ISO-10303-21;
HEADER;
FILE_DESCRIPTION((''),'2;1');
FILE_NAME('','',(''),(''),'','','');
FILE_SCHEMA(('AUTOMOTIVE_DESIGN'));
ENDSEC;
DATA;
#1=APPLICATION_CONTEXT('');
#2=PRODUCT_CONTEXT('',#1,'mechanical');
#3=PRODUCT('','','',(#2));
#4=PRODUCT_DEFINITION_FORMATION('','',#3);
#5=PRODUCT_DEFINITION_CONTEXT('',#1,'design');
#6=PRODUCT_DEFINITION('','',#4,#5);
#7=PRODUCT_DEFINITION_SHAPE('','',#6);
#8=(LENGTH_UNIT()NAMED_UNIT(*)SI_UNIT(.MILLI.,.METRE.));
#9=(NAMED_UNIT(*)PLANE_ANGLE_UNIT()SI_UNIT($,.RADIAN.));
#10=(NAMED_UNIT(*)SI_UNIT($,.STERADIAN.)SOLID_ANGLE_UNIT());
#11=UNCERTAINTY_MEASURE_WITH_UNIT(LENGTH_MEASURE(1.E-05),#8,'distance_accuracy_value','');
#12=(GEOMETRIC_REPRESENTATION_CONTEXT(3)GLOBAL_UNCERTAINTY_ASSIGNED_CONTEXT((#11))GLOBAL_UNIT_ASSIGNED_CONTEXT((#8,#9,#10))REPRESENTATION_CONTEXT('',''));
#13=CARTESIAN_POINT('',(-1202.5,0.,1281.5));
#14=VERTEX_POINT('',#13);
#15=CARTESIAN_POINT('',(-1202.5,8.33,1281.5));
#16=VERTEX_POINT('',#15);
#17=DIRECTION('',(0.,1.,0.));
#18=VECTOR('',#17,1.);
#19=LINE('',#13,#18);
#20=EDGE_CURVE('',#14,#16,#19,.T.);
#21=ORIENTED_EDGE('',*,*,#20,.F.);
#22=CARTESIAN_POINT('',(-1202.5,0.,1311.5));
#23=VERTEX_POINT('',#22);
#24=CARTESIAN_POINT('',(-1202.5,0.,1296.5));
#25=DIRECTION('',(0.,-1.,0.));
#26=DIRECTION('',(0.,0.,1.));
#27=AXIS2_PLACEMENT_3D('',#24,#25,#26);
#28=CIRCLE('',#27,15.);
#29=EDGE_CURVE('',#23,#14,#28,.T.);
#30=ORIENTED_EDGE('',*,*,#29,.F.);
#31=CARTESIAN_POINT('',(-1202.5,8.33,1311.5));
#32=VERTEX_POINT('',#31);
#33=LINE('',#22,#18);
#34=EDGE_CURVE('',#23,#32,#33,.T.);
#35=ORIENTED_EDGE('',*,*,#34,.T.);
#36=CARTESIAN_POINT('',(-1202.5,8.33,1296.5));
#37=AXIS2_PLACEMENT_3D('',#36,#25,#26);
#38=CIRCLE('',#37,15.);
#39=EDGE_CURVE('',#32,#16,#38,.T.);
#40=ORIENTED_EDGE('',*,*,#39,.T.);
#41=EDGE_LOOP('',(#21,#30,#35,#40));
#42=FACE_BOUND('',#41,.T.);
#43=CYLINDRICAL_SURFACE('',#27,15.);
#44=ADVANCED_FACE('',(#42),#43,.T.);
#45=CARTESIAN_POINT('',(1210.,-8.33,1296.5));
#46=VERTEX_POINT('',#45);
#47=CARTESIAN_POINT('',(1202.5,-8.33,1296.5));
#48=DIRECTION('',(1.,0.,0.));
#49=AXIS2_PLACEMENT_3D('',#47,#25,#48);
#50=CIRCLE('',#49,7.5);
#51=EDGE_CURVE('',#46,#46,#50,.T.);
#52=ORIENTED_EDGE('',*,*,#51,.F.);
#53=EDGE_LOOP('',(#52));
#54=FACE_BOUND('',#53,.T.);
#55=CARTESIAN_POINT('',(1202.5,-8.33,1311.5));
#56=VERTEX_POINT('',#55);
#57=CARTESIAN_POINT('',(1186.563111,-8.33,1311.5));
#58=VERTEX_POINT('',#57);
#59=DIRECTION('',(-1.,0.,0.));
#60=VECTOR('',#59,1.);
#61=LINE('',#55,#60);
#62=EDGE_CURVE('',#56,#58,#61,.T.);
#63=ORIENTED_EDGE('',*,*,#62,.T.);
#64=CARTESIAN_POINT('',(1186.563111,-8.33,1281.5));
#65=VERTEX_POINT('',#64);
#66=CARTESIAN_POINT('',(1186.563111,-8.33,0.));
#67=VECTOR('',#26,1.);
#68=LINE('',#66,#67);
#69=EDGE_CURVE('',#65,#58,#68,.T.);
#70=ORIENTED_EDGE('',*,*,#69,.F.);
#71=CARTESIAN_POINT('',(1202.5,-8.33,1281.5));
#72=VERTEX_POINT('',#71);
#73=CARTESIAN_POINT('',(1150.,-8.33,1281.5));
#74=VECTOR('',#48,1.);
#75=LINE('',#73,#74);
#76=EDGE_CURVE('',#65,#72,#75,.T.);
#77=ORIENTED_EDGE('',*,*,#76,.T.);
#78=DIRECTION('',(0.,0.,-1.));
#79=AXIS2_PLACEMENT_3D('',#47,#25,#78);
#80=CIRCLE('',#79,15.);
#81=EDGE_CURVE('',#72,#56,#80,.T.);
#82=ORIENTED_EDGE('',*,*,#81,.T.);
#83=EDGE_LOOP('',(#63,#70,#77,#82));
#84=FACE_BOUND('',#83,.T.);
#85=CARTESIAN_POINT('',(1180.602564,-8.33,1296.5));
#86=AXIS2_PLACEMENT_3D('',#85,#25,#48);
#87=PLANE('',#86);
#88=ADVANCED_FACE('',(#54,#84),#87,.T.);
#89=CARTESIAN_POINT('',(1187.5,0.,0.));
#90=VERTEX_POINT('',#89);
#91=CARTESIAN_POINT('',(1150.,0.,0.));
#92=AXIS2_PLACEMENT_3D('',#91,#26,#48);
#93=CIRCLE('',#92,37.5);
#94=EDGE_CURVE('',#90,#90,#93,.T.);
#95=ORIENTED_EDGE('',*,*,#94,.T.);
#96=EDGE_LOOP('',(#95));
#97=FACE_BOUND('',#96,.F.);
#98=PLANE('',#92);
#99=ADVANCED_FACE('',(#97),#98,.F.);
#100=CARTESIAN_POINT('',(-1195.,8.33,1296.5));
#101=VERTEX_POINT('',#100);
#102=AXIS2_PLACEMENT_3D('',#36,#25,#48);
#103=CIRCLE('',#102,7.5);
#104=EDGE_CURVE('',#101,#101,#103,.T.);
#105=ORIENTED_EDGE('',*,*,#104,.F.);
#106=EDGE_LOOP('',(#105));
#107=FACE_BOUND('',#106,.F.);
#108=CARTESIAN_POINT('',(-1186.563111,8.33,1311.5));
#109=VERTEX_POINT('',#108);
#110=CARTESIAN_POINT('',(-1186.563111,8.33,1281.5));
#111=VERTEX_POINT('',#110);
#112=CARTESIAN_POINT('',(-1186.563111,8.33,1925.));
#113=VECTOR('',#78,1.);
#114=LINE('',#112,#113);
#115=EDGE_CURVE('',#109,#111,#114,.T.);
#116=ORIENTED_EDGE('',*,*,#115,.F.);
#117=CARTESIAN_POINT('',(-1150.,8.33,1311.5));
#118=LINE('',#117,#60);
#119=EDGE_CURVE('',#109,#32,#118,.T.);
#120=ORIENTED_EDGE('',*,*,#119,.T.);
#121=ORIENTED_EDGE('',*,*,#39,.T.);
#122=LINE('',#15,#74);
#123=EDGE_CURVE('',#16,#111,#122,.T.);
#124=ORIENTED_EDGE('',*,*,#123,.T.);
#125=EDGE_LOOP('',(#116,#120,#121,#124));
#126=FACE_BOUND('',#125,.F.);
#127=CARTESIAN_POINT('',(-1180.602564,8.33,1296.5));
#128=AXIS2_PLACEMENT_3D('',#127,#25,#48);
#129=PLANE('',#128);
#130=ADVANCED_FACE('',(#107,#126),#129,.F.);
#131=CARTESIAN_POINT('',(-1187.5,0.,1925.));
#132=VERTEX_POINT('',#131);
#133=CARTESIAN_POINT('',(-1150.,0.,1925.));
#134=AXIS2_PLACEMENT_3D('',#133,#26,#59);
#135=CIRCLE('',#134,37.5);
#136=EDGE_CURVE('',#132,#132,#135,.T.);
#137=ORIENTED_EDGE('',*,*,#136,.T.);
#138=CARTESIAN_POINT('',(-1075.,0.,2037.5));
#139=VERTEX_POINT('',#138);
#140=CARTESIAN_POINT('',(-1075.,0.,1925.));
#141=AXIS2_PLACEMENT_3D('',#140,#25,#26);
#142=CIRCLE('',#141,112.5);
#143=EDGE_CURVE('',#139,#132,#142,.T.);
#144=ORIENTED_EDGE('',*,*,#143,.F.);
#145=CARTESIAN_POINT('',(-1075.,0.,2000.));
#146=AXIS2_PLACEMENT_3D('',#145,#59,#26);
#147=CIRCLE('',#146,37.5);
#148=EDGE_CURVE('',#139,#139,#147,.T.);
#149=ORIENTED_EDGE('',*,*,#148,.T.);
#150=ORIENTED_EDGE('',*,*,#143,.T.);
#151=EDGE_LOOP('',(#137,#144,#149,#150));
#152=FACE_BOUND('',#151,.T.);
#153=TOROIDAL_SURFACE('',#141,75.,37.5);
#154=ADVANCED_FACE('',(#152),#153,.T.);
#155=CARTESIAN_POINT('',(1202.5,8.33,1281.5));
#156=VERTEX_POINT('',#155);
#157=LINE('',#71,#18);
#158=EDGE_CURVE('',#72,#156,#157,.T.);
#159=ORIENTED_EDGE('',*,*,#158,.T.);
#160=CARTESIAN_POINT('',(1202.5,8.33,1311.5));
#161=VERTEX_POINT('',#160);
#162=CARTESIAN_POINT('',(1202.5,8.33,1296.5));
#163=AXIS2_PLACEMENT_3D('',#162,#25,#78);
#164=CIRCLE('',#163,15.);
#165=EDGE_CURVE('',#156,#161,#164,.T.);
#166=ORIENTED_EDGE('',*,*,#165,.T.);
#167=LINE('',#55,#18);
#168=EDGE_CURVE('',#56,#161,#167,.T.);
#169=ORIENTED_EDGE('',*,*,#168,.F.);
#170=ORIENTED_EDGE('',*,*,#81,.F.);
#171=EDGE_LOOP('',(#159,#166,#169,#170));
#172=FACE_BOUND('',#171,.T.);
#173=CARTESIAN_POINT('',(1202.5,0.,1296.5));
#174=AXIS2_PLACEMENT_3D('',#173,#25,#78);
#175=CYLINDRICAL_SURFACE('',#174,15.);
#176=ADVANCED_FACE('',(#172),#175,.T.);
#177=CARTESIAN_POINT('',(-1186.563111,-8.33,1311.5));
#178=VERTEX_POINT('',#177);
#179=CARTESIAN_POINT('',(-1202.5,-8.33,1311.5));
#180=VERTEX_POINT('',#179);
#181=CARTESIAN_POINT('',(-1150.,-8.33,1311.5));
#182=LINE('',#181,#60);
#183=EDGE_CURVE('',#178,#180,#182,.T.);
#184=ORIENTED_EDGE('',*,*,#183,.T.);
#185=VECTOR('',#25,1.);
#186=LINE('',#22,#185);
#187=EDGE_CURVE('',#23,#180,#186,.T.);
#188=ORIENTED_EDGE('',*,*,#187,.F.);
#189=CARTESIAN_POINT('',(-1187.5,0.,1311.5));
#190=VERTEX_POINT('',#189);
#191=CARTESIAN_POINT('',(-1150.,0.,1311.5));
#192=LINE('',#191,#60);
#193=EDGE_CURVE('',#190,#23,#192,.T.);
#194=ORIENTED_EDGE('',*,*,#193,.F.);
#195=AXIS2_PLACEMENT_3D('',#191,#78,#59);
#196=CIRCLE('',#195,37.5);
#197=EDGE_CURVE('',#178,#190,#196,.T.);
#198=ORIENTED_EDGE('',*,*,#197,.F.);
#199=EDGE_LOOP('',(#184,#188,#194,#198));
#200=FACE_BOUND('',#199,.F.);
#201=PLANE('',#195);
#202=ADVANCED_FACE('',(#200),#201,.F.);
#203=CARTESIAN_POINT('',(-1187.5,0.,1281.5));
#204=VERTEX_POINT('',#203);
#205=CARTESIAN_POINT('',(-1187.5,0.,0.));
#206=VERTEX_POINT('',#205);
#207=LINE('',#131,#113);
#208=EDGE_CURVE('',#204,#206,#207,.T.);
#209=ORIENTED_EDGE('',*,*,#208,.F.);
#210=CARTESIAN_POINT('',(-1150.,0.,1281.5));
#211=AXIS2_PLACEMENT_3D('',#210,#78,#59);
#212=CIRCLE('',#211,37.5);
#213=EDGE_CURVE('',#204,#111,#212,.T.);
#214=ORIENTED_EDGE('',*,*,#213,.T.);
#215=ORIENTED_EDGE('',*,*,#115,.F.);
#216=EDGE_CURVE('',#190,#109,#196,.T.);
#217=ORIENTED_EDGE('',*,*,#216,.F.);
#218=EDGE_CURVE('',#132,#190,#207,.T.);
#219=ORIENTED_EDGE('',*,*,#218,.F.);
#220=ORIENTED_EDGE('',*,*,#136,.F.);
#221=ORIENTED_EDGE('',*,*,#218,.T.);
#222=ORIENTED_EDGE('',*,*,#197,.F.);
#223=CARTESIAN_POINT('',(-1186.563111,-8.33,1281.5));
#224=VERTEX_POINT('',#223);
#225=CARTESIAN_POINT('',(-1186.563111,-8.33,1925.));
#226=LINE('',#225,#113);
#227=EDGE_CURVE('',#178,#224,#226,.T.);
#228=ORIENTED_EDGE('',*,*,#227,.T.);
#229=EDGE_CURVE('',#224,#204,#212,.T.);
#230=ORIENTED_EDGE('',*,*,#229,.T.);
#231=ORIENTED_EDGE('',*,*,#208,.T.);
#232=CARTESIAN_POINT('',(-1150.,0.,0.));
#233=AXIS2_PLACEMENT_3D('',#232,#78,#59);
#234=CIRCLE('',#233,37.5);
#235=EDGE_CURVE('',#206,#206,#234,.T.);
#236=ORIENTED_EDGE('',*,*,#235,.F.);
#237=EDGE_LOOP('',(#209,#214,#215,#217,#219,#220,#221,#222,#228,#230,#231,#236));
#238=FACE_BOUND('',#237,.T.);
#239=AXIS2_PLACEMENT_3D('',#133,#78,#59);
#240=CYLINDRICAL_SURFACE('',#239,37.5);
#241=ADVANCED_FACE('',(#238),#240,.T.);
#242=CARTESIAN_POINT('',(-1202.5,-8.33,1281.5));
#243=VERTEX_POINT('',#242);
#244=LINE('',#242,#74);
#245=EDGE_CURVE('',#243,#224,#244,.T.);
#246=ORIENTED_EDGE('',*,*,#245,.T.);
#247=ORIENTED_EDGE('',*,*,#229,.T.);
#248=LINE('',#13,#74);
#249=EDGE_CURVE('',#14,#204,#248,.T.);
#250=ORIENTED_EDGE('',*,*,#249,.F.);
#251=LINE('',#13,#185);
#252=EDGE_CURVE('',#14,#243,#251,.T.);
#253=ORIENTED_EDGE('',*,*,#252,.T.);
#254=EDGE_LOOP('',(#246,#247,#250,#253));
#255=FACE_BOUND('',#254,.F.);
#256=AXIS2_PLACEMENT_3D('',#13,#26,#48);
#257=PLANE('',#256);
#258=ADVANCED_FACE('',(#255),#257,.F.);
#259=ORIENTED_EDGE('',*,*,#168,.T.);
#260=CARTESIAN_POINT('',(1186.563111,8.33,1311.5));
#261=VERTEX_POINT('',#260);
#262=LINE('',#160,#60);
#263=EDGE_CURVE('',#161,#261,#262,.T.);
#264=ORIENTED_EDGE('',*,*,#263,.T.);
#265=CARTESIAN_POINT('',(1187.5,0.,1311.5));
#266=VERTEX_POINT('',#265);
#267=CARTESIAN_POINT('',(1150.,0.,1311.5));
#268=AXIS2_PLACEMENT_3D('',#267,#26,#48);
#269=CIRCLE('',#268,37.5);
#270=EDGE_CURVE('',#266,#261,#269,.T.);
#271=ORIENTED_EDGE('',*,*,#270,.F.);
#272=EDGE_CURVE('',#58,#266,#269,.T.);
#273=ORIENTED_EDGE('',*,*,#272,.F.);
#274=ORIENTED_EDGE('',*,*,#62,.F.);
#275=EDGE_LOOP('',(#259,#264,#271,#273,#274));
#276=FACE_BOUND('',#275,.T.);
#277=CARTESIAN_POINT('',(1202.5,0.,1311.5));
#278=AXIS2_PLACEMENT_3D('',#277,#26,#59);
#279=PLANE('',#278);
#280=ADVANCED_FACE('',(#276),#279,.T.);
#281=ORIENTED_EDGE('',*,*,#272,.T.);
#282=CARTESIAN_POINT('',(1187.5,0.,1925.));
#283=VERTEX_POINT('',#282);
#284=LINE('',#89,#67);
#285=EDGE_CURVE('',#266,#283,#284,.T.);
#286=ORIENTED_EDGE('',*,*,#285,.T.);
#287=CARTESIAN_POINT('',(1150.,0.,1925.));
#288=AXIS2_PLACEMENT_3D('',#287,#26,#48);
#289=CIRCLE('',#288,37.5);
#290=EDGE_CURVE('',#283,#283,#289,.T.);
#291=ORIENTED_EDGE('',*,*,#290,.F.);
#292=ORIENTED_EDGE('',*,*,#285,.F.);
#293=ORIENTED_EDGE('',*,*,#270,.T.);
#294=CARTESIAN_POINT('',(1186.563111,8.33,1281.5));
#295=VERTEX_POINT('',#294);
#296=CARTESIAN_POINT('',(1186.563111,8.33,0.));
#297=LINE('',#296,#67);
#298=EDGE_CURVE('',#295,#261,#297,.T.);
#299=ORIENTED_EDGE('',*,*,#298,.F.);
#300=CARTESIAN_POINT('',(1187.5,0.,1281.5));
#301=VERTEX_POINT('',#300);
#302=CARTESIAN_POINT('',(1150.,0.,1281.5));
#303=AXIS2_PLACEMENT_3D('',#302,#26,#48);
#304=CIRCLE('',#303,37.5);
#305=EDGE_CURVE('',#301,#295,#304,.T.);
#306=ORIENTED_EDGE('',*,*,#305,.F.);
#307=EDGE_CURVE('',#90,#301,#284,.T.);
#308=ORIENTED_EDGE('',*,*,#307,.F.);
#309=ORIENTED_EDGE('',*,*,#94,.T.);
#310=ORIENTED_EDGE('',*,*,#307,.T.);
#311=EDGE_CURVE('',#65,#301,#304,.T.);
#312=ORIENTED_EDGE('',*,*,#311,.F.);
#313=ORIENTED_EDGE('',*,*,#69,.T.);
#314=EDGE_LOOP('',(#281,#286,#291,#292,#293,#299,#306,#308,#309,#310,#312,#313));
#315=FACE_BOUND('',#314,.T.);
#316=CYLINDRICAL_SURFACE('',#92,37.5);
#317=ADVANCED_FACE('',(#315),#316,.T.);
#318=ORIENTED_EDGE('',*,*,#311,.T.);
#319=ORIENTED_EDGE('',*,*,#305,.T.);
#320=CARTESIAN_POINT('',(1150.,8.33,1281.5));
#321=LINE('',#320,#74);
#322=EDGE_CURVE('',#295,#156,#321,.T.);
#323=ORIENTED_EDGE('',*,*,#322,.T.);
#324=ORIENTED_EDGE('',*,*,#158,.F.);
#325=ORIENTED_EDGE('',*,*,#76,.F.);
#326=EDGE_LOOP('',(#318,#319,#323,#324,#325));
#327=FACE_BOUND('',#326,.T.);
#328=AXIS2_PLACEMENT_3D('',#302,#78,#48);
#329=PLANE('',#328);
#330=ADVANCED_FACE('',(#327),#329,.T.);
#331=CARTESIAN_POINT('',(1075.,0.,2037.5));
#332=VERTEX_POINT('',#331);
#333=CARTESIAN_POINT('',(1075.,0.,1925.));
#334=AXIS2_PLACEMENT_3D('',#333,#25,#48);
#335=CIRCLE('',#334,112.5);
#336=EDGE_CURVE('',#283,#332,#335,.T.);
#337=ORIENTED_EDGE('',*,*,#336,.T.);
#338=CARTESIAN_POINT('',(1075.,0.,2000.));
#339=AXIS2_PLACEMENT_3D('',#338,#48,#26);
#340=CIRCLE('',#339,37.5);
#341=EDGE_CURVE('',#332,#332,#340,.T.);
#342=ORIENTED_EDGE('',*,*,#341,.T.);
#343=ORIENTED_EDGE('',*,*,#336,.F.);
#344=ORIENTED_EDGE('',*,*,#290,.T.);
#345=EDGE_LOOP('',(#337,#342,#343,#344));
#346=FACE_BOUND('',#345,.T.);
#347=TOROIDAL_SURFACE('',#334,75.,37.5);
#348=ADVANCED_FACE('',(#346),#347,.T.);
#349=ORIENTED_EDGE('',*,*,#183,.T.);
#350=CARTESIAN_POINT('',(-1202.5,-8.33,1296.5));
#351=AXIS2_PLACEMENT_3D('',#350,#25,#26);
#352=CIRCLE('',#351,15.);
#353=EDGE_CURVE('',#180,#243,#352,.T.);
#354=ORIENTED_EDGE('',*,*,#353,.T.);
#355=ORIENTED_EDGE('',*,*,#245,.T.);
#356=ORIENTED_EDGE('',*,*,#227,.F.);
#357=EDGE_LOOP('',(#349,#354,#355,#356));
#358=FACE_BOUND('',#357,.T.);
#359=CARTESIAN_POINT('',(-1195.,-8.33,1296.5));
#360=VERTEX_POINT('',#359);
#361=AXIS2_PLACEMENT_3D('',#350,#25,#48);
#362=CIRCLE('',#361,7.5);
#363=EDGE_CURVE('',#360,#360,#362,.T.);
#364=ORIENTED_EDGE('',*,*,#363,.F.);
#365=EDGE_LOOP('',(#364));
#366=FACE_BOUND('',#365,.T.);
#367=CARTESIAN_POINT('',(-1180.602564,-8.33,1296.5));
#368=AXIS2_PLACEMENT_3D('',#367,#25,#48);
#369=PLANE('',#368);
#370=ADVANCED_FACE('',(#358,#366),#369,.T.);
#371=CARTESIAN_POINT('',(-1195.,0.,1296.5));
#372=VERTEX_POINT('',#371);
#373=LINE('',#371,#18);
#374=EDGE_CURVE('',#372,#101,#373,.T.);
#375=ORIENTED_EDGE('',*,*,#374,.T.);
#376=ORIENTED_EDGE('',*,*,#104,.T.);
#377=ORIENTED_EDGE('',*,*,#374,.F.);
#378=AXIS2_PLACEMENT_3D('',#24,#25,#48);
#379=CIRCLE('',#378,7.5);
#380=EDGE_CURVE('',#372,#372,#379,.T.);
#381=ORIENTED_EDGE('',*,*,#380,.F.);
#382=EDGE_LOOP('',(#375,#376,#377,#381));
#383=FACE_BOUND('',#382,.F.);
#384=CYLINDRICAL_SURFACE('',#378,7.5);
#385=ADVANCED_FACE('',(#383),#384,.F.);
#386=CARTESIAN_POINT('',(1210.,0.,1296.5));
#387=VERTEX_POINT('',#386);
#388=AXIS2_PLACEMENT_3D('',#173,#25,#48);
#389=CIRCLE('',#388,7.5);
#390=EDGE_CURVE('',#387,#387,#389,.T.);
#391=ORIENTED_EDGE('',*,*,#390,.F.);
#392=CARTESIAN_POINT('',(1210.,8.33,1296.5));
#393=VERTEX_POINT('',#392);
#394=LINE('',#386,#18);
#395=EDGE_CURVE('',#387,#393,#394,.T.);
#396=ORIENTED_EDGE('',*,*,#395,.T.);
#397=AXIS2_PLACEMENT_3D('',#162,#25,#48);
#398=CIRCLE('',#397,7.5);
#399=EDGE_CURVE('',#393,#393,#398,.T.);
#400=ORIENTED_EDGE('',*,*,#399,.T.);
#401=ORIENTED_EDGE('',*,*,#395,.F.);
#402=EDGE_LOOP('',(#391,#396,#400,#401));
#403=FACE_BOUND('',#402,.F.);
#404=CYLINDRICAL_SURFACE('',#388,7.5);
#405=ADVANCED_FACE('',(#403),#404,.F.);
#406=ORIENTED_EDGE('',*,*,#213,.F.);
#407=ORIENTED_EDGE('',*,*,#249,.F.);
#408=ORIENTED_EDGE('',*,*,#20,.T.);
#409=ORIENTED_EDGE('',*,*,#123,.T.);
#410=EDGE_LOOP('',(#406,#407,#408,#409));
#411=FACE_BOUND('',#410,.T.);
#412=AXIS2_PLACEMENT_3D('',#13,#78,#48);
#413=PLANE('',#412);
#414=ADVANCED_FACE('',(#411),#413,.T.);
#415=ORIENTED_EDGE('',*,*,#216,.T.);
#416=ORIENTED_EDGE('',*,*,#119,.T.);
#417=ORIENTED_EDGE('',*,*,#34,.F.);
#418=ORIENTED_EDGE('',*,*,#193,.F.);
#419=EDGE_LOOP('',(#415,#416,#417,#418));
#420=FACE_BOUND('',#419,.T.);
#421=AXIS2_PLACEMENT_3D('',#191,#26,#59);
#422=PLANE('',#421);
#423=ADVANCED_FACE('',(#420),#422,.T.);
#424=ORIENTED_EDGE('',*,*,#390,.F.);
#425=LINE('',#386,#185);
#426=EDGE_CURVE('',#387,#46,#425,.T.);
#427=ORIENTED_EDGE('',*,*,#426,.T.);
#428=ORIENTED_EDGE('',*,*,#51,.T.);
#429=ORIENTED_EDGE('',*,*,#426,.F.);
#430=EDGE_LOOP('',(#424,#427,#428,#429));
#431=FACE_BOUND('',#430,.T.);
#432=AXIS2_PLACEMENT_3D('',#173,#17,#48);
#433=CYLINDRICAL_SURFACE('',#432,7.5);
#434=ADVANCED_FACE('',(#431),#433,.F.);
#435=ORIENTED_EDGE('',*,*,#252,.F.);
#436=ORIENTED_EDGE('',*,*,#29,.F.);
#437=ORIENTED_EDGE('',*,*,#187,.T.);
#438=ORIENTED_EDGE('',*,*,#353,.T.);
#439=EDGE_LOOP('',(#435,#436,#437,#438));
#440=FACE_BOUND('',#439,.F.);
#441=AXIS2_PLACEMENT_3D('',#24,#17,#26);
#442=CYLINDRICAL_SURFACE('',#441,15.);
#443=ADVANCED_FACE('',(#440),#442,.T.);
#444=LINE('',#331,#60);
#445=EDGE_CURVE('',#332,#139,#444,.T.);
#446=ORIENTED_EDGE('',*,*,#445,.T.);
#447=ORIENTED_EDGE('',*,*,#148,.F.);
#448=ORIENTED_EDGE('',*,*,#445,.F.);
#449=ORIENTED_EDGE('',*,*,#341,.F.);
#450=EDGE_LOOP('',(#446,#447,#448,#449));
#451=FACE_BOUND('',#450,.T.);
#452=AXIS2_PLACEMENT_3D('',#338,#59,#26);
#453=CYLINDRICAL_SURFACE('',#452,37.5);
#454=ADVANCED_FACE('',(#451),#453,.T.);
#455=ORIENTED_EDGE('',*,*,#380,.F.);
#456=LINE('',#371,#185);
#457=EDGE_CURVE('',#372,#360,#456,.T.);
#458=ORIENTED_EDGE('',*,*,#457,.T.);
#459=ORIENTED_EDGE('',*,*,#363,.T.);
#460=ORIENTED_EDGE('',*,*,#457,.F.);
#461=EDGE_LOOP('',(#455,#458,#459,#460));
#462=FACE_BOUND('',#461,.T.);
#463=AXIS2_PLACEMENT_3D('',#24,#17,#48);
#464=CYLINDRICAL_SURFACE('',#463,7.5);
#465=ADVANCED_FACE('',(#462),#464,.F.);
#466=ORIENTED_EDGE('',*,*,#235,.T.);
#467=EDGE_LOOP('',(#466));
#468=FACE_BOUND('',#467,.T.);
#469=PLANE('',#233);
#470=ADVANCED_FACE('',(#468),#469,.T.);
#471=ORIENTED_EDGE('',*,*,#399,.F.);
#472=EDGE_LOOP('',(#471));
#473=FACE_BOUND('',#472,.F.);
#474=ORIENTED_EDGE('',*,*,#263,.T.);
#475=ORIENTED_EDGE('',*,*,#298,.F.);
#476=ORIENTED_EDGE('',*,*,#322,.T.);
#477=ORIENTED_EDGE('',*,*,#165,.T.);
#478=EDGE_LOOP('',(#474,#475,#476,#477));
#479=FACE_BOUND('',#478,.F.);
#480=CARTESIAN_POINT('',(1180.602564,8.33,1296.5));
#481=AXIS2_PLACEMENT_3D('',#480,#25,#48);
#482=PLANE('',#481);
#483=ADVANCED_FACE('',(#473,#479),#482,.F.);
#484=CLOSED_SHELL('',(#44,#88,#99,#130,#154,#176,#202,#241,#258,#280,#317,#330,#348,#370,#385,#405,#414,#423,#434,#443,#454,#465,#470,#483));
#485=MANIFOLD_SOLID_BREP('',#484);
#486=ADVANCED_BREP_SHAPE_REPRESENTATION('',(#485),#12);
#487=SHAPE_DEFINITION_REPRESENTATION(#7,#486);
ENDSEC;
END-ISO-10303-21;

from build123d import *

# Parameters (mm, degrees)
F0_R          = 37.5
F3_R          = 7.5
F4_DEPTH      = 8.33
F4_DEPTH_BACK = 8.33


with BuildPart() as f2:
    # F2: sweep along a path in F1
    with BuildLine(Plane.XZ) as f2_path:
        Line((1150, 0), (1150, 1925))
        ThreePointArc((1150, 1925), (1128.033008589, 1978.033008589), (1075, 2000))
        Line((1075, 2000), (-1075, 2000))
        ThreePointArc((-1075, 2000), (-1128.033008589, 1978.033008589), (-1150, 1925))
        Line((-1150, 1925), (-1150, 0))
    # F0 (on Top) → F2 (sweep)
    with BuildSketch(Plane.XY):
        with Locations((1150, 0)):
            Circle(F0_R)
    sweep(path=f2_path.line)

    # F3 (on Front) → F4 (join, two sides)
    with BuildSketch(Plane.XZ) as f4_sk:
        with BuildLine():
            Line((1202.5, 1311.5), (1150, 1311.5))
            Line((1150, 1311.5), (1150, 1281.5))
            Line((1150, 1281.5), (1202.5, 1281.5))
            ThreePointArc((1202.5, 1281.5), (1213.1066017178, 1285.8933982822), (1217.5, 1296.5))
            ThreePointArc((1217.5, 1296.5), (1213.1066017178, 1307.1066017178), (1202.5, 1311.5))
        make_face()
        with Locations((1202.5, 1296.5)):
            Circle(F3_R, mode=Mode.SUBTRACT)
        with BuildLine():
            Line((-1150, 1281.5), (-1150, 1311.5))
            Line((-1150, 1311.5), (-1202.5, 1311.5))
            ThreePointArc((-1202.5, 1311.5), (-1213.1066017178, 1307.1066017178), (-1217.5, 1296.5))
            ThreePointArc((-1217.5, 1296.5), (-1213.1066017178, 1285.8933982822), (-1202.5, 1281.5))
            Line((-1202.5, 1281.5), (-1150, 1281.5))
        make_face()
        with Locations((-1202.5, 1296.5)):
            Circle(F3_R, mode=Mode.SUBTRACT)
    extrude(amount=F4_DEPTH)
    extrude(f4_sk.sketch, amount=-F4_DEPTH_BACK)


solid = f2.part
